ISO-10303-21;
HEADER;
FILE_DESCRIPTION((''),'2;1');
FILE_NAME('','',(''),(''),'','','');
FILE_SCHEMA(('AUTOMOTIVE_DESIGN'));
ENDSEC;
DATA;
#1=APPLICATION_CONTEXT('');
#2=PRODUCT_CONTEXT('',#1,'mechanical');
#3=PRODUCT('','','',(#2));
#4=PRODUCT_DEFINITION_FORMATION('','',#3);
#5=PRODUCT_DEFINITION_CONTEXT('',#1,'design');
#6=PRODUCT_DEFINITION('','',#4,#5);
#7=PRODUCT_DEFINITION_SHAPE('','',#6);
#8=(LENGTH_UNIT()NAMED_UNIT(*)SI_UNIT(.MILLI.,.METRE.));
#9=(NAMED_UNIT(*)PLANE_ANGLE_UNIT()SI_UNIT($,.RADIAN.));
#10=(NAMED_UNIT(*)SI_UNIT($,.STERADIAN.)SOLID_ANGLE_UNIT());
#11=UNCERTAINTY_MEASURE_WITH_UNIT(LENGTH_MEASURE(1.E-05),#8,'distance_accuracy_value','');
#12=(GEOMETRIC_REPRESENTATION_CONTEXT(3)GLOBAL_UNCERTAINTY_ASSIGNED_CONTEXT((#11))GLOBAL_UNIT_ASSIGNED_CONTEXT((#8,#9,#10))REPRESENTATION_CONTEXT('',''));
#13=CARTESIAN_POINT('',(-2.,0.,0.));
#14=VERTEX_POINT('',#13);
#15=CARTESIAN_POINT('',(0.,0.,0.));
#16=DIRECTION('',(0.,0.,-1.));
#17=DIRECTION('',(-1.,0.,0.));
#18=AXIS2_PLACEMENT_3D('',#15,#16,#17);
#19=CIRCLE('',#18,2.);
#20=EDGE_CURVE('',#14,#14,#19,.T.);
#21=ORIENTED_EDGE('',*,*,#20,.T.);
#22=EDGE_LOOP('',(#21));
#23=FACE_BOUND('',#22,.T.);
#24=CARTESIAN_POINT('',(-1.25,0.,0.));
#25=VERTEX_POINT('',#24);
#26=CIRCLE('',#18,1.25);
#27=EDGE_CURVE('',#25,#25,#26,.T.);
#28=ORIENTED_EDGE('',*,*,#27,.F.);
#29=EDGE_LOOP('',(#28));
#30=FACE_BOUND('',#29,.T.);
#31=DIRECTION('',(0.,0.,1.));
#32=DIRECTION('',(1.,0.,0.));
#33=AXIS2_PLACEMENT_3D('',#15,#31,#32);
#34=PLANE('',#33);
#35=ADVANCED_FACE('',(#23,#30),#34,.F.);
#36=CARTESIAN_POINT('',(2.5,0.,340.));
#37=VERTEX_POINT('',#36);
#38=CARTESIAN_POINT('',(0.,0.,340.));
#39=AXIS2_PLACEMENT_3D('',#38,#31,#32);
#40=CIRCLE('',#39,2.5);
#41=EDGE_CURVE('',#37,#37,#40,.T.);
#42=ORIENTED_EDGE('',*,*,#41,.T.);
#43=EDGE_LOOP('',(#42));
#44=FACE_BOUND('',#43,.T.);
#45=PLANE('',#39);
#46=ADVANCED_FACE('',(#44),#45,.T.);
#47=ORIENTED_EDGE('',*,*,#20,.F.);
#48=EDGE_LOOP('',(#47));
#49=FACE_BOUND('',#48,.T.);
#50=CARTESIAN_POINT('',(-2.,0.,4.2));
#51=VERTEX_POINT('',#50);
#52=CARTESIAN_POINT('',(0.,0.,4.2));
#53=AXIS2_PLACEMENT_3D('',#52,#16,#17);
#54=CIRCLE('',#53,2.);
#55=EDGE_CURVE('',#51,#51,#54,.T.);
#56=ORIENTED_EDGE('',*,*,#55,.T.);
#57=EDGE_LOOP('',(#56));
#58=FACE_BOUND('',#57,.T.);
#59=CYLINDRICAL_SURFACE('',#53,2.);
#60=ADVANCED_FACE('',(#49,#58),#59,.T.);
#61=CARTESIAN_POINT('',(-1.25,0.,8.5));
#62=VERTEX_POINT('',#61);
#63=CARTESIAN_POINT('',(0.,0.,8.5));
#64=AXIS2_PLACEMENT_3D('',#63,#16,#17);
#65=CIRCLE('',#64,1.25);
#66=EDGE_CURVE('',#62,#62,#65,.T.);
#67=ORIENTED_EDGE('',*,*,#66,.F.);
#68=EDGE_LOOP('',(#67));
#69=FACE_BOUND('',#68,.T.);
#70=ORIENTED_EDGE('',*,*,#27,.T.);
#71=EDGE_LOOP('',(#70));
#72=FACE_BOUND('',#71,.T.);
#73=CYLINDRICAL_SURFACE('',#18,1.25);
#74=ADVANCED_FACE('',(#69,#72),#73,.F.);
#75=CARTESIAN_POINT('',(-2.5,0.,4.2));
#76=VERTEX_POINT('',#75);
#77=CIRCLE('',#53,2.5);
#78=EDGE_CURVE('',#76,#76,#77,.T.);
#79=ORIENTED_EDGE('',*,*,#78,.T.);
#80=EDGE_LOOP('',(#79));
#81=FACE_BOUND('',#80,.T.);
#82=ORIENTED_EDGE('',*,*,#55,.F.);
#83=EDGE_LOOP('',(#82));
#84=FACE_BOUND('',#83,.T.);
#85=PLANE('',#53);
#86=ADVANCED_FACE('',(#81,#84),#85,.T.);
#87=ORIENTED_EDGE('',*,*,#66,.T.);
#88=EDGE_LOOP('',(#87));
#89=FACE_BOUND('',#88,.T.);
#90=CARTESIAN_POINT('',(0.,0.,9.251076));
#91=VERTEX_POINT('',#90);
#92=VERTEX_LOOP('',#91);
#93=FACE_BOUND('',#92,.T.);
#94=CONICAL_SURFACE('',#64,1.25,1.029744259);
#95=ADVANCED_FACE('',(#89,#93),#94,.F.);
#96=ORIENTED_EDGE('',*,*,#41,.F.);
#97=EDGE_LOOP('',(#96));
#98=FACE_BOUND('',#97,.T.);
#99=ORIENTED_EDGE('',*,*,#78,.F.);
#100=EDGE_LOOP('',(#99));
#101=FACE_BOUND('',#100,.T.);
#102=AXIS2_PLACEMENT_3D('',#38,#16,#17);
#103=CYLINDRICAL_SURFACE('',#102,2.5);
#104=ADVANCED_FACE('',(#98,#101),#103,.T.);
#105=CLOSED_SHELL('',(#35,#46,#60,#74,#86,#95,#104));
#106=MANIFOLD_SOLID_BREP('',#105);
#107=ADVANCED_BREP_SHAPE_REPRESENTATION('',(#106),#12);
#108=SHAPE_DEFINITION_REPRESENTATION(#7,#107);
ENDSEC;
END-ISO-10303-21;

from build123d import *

# Parameters (mm, degrees)
ESQUISSE1_R               = 2.5
BOSS_EXTRU_1_DEPTH        = 340
ESQUISSE2_OUTSIDE_W       = 75.014
ESQUISSE2_OUTSIDE_H       = 75.014
ESQUISSE2_OUTSIDE_R       = 2
ENL_V_MAT_EXTRU_1_DEPTH   = 4.2
TROU_TARAUD_M3X0_51_D     = 2.5
TROU_TARAUD_M3X0_51_DEPTH = 8.5
TROU_TARAUD_M3X0_51_TIP   = 0.751075774


with BuildPart() as part:
    # Esquisse1 → Boss.-Extru.1 (new body)
    with BuildSketch(Plane.XY):
        Circle(ESQUISSE1_R)
    extrude(amount=BOSS_EXTRU_1_DEPTH)

    # Esquisse2 outside → Enlèv. mat.-Extru.1 (cut)
    with BuildSketch(Plane(origin=(0, 0, 0), x_dir=(-1, 0, 0), z_dir=(0, 0, -1))):
        Rectangle(ESQUISSE2_OUTSIDE_W, ESQUISSE2_OUTSIDE_H)
        Circle(ESQUISSE2_OUTSIDE_R, mode=Mode.SUBTRACT)
    extrude(amount=-ENL_V_MAT_EXTRU_1_DEPTH, mode=Mode.SUBTRACT)

    # Trou taraudé M3x0.51
    with Locations(Plane(origin=(0, 0, 0), x_dir=(-1, 0, 0), z_dir=(0, 0, -1))):
        with Locations((0, 0)):
            Hole(TROU_TARAUD_M3X0_51_D / 2, depth=TROU_TARAUD_M3X0_51_DEPTH)
            with Locations((0, 0, -(TROU_TARAUD_M3X0_51_DEPTH + TROU_TARAUD_M3X0_51_TIP / 2))):  # 118° drill point
                Cone(0, TROU_TARAUD_M3X0_51_D / 2, TROU_TARAUD_M3X0_51_TIP, mode=Mode.SUBTRACT)


solid = part.part
